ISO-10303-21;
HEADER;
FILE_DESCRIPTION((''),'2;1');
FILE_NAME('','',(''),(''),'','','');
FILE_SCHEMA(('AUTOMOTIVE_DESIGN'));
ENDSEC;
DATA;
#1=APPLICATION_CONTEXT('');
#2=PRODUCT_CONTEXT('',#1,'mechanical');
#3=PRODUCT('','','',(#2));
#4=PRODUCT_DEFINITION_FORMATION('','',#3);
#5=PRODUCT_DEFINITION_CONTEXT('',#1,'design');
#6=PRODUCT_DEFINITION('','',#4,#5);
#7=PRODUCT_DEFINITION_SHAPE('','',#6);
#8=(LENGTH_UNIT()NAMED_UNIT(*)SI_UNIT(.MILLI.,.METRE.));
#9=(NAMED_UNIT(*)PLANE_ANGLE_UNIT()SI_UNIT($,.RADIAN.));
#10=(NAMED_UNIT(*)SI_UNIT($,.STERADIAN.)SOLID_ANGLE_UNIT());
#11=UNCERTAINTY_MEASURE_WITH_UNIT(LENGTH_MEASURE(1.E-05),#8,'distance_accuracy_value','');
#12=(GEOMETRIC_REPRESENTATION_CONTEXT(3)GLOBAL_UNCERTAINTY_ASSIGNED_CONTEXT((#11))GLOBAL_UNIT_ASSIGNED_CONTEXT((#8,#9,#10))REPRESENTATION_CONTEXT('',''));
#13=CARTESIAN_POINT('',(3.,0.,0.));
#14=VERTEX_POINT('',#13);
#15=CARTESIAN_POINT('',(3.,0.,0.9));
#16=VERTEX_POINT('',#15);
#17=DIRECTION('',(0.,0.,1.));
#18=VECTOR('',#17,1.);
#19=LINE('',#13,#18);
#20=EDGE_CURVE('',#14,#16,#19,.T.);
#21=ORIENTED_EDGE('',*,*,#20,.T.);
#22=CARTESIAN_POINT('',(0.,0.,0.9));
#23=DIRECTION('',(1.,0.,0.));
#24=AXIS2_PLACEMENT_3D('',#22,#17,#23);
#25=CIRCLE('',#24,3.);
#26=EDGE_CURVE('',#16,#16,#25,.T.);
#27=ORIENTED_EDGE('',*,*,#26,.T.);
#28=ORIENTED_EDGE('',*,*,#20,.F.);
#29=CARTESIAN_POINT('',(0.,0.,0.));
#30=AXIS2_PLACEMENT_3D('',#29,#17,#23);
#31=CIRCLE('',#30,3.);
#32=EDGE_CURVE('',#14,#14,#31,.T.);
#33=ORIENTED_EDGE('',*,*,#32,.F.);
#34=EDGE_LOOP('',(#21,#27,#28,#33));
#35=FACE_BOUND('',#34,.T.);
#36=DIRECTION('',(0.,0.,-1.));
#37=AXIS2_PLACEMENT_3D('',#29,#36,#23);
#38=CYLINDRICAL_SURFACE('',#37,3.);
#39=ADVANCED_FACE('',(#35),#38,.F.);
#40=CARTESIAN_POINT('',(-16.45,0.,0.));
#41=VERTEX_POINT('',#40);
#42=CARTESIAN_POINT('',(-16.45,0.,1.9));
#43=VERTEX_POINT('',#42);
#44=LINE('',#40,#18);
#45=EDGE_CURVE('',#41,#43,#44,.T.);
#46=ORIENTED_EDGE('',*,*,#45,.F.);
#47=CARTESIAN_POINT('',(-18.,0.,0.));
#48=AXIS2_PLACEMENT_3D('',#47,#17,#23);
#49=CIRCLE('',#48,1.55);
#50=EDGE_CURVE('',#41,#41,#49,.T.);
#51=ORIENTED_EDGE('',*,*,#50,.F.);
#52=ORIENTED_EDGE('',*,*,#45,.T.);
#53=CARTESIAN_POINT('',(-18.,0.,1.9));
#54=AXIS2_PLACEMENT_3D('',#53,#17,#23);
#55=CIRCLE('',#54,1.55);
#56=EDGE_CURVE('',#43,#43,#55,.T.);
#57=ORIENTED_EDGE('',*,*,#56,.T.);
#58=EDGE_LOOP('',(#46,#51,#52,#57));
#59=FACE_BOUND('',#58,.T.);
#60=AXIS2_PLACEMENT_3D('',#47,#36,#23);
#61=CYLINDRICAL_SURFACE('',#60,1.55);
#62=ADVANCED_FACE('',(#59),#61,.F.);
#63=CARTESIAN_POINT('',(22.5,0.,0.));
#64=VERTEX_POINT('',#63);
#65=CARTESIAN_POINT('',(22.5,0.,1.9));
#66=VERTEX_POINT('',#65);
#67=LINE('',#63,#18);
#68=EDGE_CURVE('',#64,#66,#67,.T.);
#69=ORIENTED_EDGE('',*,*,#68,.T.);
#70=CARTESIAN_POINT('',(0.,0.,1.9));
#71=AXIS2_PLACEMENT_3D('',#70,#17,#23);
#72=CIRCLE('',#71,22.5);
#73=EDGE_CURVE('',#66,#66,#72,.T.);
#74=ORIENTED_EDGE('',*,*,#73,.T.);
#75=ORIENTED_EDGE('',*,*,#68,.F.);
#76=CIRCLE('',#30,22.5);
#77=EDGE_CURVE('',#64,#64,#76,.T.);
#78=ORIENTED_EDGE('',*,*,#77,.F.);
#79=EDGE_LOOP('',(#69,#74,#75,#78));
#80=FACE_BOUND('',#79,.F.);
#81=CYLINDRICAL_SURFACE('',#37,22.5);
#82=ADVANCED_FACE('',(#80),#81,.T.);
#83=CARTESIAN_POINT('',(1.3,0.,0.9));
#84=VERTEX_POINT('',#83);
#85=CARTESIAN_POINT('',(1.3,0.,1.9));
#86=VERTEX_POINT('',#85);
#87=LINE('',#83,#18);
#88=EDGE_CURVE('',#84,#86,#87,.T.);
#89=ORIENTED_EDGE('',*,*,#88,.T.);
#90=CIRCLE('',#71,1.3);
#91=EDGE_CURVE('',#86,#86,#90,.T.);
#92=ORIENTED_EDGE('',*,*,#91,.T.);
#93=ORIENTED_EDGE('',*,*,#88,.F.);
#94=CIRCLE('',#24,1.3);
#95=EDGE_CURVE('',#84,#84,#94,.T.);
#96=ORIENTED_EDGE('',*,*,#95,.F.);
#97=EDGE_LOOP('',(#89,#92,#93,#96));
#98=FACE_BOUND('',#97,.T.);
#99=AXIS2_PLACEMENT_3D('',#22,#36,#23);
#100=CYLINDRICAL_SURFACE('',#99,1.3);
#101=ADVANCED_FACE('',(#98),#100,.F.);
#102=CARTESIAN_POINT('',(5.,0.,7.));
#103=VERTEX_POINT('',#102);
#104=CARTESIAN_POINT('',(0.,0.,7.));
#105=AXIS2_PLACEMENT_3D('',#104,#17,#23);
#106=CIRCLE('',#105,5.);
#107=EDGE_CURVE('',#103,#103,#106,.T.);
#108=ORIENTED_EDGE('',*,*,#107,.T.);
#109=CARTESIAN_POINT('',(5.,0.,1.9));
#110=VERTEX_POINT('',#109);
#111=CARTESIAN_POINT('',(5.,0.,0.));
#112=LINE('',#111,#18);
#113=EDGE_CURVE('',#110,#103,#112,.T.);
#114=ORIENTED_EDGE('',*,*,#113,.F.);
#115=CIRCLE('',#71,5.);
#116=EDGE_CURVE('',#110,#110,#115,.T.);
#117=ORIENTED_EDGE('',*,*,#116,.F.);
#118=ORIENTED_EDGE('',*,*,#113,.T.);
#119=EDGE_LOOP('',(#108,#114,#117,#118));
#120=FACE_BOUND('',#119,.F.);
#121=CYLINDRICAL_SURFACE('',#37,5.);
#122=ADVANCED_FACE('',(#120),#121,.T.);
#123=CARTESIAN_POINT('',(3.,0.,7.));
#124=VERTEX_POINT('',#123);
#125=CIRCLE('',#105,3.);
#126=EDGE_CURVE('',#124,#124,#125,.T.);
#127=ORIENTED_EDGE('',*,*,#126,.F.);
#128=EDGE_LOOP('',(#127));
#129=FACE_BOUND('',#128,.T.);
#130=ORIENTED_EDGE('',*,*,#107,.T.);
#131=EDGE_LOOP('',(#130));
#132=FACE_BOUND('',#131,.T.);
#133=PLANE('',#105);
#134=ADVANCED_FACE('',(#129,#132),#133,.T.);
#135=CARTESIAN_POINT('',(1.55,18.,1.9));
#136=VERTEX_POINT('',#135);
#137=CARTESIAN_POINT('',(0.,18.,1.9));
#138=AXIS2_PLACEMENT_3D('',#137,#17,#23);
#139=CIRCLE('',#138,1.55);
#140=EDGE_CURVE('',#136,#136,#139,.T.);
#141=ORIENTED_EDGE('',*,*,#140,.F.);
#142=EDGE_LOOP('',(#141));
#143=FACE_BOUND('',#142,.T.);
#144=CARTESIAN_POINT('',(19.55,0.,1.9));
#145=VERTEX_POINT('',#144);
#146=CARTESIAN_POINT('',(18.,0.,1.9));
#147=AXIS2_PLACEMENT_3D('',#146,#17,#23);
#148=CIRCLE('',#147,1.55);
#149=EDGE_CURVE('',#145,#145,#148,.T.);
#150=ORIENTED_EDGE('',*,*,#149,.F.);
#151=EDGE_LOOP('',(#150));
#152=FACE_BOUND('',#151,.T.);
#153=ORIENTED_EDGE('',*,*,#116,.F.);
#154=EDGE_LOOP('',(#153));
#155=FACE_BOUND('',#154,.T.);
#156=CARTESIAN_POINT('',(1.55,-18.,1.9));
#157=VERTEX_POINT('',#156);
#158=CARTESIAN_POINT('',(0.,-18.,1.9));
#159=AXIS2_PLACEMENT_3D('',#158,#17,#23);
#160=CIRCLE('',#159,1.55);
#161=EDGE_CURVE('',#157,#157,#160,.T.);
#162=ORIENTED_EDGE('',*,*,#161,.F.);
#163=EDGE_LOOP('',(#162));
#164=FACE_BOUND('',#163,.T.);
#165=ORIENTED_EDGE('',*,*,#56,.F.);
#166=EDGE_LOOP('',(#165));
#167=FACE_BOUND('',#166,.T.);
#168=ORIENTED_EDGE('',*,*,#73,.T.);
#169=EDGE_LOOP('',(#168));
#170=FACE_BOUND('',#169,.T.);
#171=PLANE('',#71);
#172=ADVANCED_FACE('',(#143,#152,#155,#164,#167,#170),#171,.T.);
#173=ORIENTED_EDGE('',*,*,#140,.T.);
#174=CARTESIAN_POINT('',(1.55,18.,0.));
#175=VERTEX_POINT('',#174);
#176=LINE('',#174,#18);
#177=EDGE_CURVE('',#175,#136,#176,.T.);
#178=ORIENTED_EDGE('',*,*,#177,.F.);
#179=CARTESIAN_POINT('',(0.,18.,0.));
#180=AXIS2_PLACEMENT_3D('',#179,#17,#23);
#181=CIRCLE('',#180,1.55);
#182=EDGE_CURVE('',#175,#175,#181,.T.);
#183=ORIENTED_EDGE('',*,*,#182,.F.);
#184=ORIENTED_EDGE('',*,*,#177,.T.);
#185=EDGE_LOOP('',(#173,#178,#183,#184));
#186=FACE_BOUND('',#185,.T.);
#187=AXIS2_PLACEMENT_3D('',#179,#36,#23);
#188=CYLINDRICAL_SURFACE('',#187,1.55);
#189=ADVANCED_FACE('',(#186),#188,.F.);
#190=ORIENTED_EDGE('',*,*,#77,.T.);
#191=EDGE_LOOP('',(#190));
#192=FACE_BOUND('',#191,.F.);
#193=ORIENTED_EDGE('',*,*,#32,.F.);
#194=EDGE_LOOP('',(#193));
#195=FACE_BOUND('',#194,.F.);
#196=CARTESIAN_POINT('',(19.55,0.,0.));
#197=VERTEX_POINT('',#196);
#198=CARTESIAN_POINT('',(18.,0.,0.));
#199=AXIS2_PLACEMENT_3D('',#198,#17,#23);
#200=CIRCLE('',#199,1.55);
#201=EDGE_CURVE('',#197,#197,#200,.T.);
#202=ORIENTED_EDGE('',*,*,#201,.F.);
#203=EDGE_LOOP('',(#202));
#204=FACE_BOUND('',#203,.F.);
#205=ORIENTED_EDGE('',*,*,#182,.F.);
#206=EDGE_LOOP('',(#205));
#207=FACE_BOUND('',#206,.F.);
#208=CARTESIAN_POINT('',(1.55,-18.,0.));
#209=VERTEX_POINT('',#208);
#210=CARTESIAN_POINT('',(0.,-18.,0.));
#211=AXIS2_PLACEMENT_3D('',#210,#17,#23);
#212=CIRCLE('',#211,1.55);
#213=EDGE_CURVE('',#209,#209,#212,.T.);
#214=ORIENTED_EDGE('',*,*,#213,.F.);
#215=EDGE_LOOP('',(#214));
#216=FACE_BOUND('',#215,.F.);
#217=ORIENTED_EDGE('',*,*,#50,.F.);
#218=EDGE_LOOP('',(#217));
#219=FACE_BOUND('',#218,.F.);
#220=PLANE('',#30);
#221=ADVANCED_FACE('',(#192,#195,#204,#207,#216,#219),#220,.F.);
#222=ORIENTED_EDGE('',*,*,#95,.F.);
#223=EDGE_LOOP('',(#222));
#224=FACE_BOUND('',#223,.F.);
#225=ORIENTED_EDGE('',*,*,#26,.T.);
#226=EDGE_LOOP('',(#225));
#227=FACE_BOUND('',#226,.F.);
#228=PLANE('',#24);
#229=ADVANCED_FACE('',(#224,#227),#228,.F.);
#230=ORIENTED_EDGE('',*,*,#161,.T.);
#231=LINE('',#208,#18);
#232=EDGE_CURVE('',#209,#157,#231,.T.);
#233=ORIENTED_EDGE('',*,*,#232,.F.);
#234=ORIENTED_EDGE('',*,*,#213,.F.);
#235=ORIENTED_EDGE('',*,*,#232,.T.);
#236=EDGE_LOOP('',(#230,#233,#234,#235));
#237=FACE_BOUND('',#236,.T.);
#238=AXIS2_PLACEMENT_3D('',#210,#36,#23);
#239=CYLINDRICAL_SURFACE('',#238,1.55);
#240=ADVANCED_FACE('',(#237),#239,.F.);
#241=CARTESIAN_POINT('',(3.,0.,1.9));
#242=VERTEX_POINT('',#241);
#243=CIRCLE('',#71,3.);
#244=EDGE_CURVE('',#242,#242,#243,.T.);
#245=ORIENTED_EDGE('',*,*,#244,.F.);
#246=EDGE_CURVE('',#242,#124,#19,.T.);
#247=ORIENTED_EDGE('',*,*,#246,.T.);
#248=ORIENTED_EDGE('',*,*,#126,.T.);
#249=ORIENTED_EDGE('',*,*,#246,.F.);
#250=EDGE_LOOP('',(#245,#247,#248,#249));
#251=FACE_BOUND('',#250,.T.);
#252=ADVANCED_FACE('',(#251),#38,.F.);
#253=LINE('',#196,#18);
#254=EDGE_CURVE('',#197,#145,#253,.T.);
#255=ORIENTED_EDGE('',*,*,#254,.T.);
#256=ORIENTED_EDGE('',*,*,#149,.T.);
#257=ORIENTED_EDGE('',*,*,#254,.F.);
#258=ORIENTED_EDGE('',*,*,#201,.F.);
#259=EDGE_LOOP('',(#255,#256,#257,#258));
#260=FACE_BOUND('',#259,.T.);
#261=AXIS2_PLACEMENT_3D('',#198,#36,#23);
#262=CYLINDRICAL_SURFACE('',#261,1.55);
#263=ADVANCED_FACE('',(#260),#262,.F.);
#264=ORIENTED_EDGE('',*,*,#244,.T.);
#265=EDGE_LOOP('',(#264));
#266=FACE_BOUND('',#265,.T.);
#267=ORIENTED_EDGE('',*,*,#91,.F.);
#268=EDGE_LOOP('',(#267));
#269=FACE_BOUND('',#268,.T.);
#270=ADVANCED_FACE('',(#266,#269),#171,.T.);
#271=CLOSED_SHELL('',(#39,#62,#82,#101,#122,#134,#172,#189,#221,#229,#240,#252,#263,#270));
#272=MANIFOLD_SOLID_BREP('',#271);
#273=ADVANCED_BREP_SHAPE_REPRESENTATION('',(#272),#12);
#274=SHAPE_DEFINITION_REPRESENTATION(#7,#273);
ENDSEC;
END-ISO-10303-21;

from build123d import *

# Parameters (mm, degrees)
F0_R     = 22.5
F0_R_2   = 1.55
F0_R_3   = 5
F1_DEPTH = 1.9
F0_R_4   = 3
F2_DEPTH = 7
F3_START = 0.9
F0_R_5   = 1.3
F3_DEPTH = 1


with BuildPart() as f1:
    # F0 (on Top) → F1 (new body)
    with BuildSketch(Plane.XY):
        Circle(F0_R)
        with Locations((0, -18)):
            Circle(F0_R_2, mode=Mode.SUBTRACT)
        with Locations((-18, 0)):
            Circle(F0_R_2, mode=Mode.SUBTRACT)
        Circle(F0_R_3, mode=Mode.SUBTRACT)
        with Locations((18, 0)):
            Circle(F0_R_2, mode=Mode.SUBTRACT)
        with Locations((0, 18)):
            Circle(F0_R_2, mode=Mode.SUBTRACT)
    extrude(amount=F1_DEPTH)

    # F0 (on Top) → F2 (join)
    with BuildSketch(Plane.XY):
        Circle(F0_R_3)
        Circle(F0_R_4, mode=Mode.SUBTRACT)
    extrude(amount=F2_DEPTH)

    # F0 (on Top) → F3 (join)
    with BuildSketch(Plane.XY.offset(F3_START)):
        Circle(F0_R_4)
        Circle(F0_R_5, mode=Mode.SUBTRACT)
    extrude(amount=F3_DEPTH)


solid = f1.part
